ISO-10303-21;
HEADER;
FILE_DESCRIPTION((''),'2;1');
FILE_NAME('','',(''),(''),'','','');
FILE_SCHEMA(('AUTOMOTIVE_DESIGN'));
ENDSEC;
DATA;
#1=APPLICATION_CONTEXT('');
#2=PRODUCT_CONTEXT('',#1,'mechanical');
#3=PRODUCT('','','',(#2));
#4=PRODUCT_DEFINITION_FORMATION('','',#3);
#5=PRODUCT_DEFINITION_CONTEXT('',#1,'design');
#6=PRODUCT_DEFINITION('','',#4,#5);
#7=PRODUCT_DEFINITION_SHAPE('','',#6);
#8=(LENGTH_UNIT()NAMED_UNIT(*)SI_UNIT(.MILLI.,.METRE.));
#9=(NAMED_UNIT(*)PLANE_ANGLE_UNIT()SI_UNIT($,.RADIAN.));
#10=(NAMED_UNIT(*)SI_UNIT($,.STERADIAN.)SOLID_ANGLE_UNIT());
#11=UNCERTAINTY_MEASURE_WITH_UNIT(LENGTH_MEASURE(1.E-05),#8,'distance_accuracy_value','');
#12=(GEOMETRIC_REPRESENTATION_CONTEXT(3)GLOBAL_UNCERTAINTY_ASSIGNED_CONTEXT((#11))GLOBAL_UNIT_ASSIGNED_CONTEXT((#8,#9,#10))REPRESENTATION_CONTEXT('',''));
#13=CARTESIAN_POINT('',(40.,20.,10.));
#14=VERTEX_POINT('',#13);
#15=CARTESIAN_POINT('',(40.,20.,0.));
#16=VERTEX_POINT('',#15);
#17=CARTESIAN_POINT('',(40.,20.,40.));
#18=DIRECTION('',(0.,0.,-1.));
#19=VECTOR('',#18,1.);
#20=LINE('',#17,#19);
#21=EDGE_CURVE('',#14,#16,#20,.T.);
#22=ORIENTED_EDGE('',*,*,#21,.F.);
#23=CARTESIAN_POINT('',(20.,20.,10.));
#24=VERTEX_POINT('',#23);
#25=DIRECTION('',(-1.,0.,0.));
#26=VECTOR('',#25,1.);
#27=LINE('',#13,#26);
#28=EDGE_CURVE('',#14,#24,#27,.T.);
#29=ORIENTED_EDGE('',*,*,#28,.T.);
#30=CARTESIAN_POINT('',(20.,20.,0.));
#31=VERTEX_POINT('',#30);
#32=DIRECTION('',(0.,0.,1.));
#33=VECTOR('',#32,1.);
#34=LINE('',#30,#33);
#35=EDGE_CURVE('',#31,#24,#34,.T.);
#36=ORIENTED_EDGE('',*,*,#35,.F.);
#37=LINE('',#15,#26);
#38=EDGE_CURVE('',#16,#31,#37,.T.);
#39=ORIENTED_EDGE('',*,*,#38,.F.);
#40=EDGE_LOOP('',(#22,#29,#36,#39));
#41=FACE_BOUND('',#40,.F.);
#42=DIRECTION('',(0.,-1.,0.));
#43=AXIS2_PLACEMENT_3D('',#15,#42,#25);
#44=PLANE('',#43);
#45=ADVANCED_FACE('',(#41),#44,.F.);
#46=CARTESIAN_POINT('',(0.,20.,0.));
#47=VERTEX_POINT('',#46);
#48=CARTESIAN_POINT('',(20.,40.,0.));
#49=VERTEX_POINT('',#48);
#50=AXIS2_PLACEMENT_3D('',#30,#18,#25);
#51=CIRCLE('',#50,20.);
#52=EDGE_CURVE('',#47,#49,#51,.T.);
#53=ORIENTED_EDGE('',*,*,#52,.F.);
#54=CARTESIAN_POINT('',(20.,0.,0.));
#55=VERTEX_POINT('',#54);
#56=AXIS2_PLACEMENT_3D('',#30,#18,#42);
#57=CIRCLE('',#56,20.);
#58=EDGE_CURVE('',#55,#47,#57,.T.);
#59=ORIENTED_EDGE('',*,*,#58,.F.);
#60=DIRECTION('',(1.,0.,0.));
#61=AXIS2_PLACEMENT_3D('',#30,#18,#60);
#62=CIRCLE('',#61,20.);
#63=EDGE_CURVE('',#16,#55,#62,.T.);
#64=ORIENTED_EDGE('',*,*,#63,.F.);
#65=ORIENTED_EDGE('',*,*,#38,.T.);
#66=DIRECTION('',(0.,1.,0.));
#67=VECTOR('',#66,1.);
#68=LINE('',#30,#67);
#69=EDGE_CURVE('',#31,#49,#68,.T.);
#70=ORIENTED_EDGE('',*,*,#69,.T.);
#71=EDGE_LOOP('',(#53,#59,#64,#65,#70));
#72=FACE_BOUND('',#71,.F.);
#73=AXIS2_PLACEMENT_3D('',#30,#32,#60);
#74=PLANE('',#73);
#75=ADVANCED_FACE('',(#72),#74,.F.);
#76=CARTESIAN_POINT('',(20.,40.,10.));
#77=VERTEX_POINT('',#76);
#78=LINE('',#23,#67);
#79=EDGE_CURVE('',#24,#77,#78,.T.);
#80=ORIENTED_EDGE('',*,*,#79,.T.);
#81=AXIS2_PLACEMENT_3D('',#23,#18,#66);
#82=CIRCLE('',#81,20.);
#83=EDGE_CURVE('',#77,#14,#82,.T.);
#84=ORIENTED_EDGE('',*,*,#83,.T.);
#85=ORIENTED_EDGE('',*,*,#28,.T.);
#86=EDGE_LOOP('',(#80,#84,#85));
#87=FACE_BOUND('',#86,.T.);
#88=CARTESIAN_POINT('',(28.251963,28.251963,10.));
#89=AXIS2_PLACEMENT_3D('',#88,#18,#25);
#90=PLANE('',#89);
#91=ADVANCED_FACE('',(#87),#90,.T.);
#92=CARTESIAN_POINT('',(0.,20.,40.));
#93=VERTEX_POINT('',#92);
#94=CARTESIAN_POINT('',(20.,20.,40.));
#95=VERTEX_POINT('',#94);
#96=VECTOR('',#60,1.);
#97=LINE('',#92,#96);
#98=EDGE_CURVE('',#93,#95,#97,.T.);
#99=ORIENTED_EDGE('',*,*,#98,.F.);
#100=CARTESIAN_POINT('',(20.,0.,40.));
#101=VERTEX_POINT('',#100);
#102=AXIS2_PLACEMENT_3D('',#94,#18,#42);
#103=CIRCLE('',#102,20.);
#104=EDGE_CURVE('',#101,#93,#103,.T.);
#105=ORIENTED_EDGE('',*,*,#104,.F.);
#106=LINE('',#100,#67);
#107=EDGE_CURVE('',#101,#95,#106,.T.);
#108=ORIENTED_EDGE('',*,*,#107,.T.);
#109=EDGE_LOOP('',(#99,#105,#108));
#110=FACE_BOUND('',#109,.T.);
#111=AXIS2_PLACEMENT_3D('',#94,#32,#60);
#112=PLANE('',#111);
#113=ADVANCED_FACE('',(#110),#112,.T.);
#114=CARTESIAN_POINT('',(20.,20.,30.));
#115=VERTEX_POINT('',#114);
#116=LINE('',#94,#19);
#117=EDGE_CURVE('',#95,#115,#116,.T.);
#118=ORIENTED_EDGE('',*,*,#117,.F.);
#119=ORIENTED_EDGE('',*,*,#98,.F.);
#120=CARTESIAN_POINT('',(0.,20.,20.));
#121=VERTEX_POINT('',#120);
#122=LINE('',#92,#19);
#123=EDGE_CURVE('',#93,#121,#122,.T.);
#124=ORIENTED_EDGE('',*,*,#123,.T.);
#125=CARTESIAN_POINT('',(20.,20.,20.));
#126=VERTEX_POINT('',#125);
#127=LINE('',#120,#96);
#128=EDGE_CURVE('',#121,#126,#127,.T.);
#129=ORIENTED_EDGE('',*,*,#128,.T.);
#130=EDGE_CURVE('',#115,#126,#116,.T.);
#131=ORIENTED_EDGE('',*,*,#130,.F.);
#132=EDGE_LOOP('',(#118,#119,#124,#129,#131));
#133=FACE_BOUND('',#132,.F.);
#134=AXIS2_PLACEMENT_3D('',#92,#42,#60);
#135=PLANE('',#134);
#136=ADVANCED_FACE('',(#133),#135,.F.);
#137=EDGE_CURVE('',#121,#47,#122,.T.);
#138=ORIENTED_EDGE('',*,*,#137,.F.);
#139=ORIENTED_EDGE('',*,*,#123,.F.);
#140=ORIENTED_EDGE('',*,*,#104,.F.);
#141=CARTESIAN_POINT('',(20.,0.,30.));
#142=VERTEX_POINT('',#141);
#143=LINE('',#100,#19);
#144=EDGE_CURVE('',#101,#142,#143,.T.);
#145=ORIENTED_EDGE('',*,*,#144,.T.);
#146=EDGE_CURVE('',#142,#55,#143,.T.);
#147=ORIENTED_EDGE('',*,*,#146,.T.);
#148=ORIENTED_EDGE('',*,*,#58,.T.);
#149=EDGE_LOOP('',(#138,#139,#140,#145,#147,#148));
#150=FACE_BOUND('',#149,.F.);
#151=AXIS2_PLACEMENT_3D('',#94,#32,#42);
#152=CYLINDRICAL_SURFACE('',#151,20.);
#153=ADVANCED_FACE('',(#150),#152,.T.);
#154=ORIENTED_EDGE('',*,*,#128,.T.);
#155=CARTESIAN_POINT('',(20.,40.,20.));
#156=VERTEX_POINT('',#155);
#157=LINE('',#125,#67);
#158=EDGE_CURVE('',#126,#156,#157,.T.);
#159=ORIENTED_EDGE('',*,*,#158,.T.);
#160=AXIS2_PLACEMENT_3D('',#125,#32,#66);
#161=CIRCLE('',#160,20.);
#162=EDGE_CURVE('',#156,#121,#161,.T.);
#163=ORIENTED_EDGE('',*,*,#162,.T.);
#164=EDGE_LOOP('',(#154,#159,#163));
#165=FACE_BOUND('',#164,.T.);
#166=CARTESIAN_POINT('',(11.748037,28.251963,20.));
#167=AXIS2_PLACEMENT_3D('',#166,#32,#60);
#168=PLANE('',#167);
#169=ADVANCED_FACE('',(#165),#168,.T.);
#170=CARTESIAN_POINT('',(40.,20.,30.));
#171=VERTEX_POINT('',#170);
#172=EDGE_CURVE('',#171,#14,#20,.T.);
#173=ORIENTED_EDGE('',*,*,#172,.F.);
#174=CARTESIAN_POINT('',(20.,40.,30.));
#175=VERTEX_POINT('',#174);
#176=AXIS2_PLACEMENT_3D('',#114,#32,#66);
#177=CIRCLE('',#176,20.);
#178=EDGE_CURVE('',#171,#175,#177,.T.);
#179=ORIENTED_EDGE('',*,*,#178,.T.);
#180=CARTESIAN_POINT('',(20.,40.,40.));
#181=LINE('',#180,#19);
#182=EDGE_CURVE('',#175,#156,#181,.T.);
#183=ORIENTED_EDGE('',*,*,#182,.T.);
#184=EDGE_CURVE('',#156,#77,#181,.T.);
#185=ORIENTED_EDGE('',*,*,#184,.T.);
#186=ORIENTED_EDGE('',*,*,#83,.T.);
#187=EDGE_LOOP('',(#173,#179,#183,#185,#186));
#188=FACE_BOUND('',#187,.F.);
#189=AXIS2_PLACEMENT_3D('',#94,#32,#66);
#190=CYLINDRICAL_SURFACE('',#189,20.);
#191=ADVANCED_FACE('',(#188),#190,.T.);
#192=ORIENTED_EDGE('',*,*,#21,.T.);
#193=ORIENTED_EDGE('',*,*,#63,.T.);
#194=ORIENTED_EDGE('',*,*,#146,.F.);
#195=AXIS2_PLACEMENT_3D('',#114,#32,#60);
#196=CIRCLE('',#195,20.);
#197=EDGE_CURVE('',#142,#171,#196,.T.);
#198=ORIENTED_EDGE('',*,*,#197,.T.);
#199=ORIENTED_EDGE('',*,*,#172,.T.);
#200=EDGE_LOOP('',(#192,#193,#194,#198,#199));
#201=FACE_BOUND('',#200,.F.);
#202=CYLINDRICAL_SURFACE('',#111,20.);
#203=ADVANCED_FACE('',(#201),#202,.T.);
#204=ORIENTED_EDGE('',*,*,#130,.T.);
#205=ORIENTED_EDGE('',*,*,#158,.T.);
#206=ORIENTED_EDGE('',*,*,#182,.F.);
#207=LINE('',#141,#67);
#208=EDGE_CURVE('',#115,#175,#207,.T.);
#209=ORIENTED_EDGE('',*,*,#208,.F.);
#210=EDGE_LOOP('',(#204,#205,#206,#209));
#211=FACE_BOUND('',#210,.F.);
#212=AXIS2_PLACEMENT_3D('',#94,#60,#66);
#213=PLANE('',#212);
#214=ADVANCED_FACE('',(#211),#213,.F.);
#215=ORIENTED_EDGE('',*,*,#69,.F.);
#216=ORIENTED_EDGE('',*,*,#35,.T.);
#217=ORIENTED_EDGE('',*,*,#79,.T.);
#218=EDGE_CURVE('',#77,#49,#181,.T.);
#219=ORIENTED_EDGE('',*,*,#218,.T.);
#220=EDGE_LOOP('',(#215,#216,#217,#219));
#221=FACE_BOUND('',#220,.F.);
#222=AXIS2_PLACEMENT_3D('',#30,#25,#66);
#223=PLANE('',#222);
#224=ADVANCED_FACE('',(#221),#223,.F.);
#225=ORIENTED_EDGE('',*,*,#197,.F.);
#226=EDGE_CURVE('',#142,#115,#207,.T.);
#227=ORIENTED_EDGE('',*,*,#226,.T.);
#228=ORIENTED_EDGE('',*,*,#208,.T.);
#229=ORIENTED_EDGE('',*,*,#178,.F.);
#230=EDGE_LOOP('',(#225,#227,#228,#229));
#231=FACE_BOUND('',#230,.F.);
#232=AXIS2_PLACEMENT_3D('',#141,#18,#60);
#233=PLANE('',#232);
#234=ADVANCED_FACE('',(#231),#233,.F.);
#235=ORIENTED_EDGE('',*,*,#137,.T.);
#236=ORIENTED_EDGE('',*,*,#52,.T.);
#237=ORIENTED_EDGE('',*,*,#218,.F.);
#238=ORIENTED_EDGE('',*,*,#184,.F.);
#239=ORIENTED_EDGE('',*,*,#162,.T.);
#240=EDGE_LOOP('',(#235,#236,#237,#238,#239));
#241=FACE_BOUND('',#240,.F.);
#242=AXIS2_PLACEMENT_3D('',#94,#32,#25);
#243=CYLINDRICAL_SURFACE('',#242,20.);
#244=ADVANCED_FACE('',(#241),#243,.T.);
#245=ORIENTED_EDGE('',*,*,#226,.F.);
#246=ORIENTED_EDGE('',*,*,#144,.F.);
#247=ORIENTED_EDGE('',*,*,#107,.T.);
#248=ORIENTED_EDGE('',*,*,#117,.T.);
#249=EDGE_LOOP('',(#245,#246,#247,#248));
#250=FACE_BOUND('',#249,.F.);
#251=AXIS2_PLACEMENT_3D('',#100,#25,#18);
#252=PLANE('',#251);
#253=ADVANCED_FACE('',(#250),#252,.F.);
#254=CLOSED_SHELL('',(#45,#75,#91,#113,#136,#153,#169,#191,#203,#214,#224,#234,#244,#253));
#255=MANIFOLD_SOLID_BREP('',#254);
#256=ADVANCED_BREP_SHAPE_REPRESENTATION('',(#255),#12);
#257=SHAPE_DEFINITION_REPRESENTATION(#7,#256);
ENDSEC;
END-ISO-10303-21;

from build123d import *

# Parameters (mm, degrees)
SKETCH1_W           = 40
SKETCH1_H           = 40
BOSS_EXTRUDE1_DEPTH = 40
CUT_EXTRUDE1_DEPTH  = 40
SKETCH3_W           = 20
SKETCH3_H           = 10
CUT_EXTRUDE2_DEPTH  = 40
CUT_EXTRUDE3_DEPTH  = 20
CUT_EXTRUDE4_DEPTH  = 10


with BuildPart() as part:
    # Sketch1 → Boss-Extrude1 (new body)
    with BuildSketch(Plane.XY):
        with Locations((20, 20)):
            Rectangle(SKETCH1_W, SKETCH1_H)
    extrude(amount=BOSS_EXTRUDE1_DEPTH)

    # Sketch2 → Cut-Extrude1 (cut)
    with BuildSketch(Plane.XY.offset(40)):
        with BuildLine():
            Line((20, 40), (0, 40))
            Line((0, 40), (0, 20))
            ThreePointArc((0, 20), (5.857864376, 34.142135624), (20, 40))
        make_face()
        with BuildLine():
            ThreePointArc((20, 0), (5.857864376, 5.857864376), (0, 20))
            Line((0, 20), (0, 0))
            Line((0, 0), (20, 0))
        make_face()
        with BuildLine():
            Line((40, 0), (40, 20))
            ThreePointArc((40, 20), (34.142135624, 5.857864376), (20, 0))
            Line((20, 0), (40, 0))
        make_face()
        with BuildLine():
            Line((40, 40), (20, 40))
            ThreePointArc((20, 40), (34.142135624, 34.142135624), (40, 20))
            Line((40, 20), (40, 40))
        make_face()
    extrude(amount=-CUT_EXTRUDE1_DEPTH, mode=Mode.SUBTRACT)

    # Sketch3 → Cut-Extrude2 (cut)
    with BuildSketch(Plane(origin=(0, 0, 0), x_dir=(1, 0, 0), z_dir=(0, 1, 0))):
        with Locations((30, -35)):
            Rectangle(SKETCH3_W, SKETCH3_H)
    extrude(amount=CUT_EXTRUDE2_DEPTH, mode=Mode.SUBTRACT)

    # Sketch4 → Cut-Extrude3 (cut)
    with BuildSketch(Plane.XY.offset(40)):
        with BuildLine():
            Line((0, 20), (20, 20))
            Line((20, 20), (20, 40))
            ThreePointArc((20, 40), (5.857864376, 34.142135624), (0, 20))
        make_face()
    extrude(amount=-CUT_EXTRUDE3_DEPTH, mode=Mode.SUBTRACT)

    # Sketch5 → Cut-Extrude4 (cut)
    with BuildSketch(Plane(origin=(0, 0, 0), x_dir=(-1, 0, 0), z_dir=(0, 0, -1))):
        with BuildLine():
            Line((-40, 20), (-20, 20))
            Line((-20, 20), (-20, 40))
            ThreePointArc((-20, 40), (-34.142135624, 34.142135624), (-40, 20))
        make_face()
    extrude(amount=-CUT_EXTRUDE4_DEPTH, mode=Mode.SUBTRACT)


solid = part.part
